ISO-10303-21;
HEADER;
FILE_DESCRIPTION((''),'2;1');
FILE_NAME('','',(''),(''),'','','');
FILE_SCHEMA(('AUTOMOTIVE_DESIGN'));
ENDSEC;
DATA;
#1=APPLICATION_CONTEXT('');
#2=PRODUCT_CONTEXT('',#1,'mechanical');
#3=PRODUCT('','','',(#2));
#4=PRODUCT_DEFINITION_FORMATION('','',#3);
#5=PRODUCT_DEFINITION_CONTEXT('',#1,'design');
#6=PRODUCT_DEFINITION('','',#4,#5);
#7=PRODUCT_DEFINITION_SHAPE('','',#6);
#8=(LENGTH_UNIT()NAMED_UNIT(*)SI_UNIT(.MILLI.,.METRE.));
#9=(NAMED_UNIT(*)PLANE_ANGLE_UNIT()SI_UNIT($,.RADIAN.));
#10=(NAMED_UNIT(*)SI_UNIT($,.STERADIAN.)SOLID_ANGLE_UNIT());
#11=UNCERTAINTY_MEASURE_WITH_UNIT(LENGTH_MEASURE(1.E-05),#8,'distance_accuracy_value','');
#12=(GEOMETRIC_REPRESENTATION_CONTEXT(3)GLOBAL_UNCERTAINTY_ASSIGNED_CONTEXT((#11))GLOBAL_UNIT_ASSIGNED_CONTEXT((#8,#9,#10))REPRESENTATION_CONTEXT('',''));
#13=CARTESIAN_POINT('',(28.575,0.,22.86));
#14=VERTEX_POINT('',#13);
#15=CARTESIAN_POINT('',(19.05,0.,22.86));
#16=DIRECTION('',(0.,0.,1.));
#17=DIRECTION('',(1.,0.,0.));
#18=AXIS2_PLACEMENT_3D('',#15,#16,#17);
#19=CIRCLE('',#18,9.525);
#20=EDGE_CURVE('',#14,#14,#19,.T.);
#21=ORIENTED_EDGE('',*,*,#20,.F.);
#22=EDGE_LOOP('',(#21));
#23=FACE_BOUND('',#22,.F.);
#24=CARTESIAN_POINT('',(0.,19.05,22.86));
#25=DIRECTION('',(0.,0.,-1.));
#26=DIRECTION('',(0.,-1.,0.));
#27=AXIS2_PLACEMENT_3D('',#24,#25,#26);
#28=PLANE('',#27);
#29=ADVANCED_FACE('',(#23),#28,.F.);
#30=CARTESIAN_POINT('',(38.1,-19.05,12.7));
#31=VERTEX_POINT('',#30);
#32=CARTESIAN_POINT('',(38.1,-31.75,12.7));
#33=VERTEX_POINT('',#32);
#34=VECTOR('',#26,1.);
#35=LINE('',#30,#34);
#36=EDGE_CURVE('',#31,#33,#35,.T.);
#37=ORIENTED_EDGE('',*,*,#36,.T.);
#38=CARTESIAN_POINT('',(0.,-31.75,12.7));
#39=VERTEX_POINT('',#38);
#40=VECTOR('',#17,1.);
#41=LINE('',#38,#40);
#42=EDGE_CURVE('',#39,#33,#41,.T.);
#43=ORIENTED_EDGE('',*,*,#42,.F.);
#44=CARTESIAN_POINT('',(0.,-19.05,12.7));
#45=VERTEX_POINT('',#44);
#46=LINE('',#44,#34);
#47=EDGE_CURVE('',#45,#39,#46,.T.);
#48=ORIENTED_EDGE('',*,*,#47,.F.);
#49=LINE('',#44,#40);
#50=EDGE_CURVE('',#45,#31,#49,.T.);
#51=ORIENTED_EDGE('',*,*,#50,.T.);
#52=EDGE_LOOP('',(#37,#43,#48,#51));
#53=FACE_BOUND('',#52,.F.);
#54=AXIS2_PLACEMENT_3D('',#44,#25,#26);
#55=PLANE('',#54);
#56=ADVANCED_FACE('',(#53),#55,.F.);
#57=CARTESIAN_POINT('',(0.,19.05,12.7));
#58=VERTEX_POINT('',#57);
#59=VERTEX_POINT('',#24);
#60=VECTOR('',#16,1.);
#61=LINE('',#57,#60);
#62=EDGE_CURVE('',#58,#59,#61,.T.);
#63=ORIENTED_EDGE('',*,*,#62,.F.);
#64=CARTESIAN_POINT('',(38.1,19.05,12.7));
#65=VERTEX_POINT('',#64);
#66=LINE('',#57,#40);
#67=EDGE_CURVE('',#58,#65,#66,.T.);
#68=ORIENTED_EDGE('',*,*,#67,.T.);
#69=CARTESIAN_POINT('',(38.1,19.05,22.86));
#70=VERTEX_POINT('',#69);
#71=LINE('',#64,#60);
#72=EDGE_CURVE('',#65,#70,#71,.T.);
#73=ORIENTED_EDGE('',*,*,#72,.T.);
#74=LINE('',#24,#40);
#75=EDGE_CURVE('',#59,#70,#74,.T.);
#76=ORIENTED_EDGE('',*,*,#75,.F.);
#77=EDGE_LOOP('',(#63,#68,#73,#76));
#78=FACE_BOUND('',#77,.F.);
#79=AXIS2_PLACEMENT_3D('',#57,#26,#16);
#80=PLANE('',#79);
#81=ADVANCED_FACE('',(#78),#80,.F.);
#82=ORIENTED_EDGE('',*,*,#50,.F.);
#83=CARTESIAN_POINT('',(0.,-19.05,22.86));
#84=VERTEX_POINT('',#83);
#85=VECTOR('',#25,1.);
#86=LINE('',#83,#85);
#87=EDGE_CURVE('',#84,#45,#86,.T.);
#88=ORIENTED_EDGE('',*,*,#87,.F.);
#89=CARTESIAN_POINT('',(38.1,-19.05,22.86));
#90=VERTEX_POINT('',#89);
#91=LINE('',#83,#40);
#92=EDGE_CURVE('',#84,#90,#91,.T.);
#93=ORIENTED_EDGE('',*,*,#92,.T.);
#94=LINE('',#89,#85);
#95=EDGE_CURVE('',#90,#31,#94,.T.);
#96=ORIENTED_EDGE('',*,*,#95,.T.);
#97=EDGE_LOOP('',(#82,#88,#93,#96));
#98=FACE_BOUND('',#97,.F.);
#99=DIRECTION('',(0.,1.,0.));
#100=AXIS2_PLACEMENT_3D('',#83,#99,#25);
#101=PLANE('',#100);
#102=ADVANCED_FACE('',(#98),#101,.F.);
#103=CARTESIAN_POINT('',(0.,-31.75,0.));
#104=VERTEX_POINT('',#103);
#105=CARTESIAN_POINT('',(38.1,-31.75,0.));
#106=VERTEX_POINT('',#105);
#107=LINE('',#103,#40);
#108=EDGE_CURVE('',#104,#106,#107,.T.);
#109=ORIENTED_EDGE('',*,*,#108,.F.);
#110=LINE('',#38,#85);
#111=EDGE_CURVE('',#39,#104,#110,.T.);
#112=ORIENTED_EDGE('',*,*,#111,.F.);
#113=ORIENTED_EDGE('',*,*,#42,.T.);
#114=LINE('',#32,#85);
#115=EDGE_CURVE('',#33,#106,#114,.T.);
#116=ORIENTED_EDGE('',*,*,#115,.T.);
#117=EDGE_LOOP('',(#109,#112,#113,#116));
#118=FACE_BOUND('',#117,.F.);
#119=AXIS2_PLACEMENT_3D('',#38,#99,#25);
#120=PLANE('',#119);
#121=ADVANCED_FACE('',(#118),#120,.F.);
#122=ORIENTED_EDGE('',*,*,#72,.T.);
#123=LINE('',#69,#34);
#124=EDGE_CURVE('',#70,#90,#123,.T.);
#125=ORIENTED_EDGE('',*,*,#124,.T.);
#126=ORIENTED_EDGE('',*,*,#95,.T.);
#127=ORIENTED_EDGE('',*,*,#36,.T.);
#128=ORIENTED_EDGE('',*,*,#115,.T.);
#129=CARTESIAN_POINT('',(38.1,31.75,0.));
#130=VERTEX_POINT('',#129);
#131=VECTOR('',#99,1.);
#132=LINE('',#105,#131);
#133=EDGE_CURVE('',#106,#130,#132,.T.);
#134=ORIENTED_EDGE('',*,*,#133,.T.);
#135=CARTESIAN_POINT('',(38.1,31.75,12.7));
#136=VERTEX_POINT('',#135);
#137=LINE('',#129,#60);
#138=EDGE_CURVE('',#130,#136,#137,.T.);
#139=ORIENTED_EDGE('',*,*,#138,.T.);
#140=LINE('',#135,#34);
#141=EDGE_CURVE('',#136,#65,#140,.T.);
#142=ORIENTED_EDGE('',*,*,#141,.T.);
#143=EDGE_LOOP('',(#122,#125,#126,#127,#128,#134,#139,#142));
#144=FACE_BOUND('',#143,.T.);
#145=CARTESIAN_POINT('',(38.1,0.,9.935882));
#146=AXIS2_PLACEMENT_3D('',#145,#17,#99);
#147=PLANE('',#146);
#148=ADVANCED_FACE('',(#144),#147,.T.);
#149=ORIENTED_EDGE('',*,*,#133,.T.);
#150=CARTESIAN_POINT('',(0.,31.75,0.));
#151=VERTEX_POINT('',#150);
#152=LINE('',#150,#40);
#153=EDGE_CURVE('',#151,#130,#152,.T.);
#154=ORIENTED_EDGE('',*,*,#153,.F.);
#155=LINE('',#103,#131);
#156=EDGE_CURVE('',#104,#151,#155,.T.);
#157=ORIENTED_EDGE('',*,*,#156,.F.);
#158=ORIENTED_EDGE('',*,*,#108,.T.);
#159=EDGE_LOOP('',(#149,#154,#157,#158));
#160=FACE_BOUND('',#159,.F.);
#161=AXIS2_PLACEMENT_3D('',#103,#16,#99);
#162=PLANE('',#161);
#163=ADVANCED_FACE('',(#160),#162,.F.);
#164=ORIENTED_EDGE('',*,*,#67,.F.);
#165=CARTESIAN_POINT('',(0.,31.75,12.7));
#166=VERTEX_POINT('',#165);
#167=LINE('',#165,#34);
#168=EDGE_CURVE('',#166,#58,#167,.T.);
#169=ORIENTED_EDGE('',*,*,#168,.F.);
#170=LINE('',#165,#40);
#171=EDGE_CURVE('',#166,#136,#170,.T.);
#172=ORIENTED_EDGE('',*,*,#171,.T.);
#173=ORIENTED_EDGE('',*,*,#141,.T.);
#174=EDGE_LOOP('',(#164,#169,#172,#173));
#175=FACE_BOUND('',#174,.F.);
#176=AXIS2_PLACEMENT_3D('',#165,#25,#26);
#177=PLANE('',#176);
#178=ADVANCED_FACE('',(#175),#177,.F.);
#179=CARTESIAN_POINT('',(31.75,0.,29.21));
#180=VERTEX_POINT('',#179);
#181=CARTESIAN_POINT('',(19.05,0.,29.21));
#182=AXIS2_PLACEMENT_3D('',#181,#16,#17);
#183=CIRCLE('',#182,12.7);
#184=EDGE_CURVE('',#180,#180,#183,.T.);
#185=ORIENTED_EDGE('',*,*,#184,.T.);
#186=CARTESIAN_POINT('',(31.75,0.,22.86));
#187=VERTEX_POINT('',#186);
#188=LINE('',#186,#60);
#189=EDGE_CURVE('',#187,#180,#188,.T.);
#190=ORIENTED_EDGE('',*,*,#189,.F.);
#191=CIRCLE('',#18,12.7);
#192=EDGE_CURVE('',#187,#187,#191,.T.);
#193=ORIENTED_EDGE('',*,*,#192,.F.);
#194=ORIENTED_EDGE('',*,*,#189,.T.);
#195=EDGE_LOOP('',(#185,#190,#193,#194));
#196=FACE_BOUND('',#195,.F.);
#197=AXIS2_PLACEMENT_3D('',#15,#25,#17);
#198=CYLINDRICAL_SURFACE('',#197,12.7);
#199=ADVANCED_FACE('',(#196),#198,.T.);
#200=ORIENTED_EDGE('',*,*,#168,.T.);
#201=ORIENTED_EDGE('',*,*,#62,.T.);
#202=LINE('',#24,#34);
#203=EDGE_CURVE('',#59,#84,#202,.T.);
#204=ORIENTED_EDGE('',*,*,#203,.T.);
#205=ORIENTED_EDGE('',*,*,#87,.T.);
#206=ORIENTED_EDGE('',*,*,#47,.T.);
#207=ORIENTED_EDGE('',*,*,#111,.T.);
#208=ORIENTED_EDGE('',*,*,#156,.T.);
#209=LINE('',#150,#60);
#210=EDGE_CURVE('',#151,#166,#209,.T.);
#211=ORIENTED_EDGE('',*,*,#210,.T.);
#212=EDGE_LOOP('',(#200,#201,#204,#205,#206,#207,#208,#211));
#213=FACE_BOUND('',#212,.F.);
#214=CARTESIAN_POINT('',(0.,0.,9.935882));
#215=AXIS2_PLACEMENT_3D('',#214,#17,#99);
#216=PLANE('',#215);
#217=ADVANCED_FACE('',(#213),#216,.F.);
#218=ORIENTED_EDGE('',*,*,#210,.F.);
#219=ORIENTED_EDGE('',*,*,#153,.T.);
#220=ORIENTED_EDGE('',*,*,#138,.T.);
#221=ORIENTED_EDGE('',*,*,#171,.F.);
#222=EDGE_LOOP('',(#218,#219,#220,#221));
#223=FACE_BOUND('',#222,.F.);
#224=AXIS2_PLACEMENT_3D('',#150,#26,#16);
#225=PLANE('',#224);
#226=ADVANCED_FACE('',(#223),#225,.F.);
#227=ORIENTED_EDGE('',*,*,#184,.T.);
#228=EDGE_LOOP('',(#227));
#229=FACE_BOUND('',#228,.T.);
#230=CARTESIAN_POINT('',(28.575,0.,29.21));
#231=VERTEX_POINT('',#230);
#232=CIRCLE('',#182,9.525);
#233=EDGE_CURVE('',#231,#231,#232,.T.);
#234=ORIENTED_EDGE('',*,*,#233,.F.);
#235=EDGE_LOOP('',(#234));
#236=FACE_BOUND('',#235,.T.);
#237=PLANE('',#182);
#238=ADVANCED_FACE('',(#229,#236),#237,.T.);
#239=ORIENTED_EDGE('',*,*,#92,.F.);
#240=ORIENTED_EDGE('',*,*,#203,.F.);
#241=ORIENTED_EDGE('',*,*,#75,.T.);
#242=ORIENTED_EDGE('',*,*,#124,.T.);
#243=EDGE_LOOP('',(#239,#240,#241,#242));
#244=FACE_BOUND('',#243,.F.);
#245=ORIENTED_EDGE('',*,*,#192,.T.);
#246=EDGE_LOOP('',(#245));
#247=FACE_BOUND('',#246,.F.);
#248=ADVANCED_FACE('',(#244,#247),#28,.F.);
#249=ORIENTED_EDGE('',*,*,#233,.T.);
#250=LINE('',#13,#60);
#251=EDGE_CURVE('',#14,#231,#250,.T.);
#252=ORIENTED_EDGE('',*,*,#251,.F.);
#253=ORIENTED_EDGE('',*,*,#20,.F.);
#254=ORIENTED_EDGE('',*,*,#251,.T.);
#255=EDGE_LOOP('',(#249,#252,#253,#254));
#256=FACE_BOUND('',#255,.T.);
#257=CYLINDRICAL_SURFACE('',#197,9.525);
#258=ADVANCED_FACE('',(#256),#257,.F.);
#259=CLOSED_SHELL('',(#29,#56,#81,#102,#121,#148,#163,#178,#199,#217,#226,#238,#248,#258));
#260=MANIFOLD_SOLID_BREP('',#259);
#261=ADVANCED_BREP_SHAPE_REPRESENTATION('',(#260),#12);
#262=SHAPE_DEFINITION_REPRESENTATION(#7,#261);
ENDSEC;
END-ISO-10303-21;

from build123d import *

# Parameters (mm, degrees)
F1_DEPTH = 38.1
F2_R     = 12.7
F2_R_2   = 9.525
F3_DEPTH = 6.35


with BuildPart() as f1:
    # F0 (on Right) → F1 (new body)
    with BuildSketch(Plane.YZ):
        Polygon((-31.75, 0), (0, 0), (31.75, 0), (31.75, 12.7), (19.05, 12.7), (19.05, 22.86), (-19.05, 22.86), (-19.05, 12.7), (-31.75, 12.7), align=None)
    extrude(amount=F1_DEPTH)

    # F2 (on face) → F3 (join)
    with BuildSketch(Plane.XY.offset(22.86)):
        with Locations((19.05, 0)):
            Circle(F2_R)
        with Locations((19.05, 0)):
            Circle(F2_R_2, mode=Mode.SUBTRACT)
    extrude(amount=F3_DEPTH)


solid = f1.part
